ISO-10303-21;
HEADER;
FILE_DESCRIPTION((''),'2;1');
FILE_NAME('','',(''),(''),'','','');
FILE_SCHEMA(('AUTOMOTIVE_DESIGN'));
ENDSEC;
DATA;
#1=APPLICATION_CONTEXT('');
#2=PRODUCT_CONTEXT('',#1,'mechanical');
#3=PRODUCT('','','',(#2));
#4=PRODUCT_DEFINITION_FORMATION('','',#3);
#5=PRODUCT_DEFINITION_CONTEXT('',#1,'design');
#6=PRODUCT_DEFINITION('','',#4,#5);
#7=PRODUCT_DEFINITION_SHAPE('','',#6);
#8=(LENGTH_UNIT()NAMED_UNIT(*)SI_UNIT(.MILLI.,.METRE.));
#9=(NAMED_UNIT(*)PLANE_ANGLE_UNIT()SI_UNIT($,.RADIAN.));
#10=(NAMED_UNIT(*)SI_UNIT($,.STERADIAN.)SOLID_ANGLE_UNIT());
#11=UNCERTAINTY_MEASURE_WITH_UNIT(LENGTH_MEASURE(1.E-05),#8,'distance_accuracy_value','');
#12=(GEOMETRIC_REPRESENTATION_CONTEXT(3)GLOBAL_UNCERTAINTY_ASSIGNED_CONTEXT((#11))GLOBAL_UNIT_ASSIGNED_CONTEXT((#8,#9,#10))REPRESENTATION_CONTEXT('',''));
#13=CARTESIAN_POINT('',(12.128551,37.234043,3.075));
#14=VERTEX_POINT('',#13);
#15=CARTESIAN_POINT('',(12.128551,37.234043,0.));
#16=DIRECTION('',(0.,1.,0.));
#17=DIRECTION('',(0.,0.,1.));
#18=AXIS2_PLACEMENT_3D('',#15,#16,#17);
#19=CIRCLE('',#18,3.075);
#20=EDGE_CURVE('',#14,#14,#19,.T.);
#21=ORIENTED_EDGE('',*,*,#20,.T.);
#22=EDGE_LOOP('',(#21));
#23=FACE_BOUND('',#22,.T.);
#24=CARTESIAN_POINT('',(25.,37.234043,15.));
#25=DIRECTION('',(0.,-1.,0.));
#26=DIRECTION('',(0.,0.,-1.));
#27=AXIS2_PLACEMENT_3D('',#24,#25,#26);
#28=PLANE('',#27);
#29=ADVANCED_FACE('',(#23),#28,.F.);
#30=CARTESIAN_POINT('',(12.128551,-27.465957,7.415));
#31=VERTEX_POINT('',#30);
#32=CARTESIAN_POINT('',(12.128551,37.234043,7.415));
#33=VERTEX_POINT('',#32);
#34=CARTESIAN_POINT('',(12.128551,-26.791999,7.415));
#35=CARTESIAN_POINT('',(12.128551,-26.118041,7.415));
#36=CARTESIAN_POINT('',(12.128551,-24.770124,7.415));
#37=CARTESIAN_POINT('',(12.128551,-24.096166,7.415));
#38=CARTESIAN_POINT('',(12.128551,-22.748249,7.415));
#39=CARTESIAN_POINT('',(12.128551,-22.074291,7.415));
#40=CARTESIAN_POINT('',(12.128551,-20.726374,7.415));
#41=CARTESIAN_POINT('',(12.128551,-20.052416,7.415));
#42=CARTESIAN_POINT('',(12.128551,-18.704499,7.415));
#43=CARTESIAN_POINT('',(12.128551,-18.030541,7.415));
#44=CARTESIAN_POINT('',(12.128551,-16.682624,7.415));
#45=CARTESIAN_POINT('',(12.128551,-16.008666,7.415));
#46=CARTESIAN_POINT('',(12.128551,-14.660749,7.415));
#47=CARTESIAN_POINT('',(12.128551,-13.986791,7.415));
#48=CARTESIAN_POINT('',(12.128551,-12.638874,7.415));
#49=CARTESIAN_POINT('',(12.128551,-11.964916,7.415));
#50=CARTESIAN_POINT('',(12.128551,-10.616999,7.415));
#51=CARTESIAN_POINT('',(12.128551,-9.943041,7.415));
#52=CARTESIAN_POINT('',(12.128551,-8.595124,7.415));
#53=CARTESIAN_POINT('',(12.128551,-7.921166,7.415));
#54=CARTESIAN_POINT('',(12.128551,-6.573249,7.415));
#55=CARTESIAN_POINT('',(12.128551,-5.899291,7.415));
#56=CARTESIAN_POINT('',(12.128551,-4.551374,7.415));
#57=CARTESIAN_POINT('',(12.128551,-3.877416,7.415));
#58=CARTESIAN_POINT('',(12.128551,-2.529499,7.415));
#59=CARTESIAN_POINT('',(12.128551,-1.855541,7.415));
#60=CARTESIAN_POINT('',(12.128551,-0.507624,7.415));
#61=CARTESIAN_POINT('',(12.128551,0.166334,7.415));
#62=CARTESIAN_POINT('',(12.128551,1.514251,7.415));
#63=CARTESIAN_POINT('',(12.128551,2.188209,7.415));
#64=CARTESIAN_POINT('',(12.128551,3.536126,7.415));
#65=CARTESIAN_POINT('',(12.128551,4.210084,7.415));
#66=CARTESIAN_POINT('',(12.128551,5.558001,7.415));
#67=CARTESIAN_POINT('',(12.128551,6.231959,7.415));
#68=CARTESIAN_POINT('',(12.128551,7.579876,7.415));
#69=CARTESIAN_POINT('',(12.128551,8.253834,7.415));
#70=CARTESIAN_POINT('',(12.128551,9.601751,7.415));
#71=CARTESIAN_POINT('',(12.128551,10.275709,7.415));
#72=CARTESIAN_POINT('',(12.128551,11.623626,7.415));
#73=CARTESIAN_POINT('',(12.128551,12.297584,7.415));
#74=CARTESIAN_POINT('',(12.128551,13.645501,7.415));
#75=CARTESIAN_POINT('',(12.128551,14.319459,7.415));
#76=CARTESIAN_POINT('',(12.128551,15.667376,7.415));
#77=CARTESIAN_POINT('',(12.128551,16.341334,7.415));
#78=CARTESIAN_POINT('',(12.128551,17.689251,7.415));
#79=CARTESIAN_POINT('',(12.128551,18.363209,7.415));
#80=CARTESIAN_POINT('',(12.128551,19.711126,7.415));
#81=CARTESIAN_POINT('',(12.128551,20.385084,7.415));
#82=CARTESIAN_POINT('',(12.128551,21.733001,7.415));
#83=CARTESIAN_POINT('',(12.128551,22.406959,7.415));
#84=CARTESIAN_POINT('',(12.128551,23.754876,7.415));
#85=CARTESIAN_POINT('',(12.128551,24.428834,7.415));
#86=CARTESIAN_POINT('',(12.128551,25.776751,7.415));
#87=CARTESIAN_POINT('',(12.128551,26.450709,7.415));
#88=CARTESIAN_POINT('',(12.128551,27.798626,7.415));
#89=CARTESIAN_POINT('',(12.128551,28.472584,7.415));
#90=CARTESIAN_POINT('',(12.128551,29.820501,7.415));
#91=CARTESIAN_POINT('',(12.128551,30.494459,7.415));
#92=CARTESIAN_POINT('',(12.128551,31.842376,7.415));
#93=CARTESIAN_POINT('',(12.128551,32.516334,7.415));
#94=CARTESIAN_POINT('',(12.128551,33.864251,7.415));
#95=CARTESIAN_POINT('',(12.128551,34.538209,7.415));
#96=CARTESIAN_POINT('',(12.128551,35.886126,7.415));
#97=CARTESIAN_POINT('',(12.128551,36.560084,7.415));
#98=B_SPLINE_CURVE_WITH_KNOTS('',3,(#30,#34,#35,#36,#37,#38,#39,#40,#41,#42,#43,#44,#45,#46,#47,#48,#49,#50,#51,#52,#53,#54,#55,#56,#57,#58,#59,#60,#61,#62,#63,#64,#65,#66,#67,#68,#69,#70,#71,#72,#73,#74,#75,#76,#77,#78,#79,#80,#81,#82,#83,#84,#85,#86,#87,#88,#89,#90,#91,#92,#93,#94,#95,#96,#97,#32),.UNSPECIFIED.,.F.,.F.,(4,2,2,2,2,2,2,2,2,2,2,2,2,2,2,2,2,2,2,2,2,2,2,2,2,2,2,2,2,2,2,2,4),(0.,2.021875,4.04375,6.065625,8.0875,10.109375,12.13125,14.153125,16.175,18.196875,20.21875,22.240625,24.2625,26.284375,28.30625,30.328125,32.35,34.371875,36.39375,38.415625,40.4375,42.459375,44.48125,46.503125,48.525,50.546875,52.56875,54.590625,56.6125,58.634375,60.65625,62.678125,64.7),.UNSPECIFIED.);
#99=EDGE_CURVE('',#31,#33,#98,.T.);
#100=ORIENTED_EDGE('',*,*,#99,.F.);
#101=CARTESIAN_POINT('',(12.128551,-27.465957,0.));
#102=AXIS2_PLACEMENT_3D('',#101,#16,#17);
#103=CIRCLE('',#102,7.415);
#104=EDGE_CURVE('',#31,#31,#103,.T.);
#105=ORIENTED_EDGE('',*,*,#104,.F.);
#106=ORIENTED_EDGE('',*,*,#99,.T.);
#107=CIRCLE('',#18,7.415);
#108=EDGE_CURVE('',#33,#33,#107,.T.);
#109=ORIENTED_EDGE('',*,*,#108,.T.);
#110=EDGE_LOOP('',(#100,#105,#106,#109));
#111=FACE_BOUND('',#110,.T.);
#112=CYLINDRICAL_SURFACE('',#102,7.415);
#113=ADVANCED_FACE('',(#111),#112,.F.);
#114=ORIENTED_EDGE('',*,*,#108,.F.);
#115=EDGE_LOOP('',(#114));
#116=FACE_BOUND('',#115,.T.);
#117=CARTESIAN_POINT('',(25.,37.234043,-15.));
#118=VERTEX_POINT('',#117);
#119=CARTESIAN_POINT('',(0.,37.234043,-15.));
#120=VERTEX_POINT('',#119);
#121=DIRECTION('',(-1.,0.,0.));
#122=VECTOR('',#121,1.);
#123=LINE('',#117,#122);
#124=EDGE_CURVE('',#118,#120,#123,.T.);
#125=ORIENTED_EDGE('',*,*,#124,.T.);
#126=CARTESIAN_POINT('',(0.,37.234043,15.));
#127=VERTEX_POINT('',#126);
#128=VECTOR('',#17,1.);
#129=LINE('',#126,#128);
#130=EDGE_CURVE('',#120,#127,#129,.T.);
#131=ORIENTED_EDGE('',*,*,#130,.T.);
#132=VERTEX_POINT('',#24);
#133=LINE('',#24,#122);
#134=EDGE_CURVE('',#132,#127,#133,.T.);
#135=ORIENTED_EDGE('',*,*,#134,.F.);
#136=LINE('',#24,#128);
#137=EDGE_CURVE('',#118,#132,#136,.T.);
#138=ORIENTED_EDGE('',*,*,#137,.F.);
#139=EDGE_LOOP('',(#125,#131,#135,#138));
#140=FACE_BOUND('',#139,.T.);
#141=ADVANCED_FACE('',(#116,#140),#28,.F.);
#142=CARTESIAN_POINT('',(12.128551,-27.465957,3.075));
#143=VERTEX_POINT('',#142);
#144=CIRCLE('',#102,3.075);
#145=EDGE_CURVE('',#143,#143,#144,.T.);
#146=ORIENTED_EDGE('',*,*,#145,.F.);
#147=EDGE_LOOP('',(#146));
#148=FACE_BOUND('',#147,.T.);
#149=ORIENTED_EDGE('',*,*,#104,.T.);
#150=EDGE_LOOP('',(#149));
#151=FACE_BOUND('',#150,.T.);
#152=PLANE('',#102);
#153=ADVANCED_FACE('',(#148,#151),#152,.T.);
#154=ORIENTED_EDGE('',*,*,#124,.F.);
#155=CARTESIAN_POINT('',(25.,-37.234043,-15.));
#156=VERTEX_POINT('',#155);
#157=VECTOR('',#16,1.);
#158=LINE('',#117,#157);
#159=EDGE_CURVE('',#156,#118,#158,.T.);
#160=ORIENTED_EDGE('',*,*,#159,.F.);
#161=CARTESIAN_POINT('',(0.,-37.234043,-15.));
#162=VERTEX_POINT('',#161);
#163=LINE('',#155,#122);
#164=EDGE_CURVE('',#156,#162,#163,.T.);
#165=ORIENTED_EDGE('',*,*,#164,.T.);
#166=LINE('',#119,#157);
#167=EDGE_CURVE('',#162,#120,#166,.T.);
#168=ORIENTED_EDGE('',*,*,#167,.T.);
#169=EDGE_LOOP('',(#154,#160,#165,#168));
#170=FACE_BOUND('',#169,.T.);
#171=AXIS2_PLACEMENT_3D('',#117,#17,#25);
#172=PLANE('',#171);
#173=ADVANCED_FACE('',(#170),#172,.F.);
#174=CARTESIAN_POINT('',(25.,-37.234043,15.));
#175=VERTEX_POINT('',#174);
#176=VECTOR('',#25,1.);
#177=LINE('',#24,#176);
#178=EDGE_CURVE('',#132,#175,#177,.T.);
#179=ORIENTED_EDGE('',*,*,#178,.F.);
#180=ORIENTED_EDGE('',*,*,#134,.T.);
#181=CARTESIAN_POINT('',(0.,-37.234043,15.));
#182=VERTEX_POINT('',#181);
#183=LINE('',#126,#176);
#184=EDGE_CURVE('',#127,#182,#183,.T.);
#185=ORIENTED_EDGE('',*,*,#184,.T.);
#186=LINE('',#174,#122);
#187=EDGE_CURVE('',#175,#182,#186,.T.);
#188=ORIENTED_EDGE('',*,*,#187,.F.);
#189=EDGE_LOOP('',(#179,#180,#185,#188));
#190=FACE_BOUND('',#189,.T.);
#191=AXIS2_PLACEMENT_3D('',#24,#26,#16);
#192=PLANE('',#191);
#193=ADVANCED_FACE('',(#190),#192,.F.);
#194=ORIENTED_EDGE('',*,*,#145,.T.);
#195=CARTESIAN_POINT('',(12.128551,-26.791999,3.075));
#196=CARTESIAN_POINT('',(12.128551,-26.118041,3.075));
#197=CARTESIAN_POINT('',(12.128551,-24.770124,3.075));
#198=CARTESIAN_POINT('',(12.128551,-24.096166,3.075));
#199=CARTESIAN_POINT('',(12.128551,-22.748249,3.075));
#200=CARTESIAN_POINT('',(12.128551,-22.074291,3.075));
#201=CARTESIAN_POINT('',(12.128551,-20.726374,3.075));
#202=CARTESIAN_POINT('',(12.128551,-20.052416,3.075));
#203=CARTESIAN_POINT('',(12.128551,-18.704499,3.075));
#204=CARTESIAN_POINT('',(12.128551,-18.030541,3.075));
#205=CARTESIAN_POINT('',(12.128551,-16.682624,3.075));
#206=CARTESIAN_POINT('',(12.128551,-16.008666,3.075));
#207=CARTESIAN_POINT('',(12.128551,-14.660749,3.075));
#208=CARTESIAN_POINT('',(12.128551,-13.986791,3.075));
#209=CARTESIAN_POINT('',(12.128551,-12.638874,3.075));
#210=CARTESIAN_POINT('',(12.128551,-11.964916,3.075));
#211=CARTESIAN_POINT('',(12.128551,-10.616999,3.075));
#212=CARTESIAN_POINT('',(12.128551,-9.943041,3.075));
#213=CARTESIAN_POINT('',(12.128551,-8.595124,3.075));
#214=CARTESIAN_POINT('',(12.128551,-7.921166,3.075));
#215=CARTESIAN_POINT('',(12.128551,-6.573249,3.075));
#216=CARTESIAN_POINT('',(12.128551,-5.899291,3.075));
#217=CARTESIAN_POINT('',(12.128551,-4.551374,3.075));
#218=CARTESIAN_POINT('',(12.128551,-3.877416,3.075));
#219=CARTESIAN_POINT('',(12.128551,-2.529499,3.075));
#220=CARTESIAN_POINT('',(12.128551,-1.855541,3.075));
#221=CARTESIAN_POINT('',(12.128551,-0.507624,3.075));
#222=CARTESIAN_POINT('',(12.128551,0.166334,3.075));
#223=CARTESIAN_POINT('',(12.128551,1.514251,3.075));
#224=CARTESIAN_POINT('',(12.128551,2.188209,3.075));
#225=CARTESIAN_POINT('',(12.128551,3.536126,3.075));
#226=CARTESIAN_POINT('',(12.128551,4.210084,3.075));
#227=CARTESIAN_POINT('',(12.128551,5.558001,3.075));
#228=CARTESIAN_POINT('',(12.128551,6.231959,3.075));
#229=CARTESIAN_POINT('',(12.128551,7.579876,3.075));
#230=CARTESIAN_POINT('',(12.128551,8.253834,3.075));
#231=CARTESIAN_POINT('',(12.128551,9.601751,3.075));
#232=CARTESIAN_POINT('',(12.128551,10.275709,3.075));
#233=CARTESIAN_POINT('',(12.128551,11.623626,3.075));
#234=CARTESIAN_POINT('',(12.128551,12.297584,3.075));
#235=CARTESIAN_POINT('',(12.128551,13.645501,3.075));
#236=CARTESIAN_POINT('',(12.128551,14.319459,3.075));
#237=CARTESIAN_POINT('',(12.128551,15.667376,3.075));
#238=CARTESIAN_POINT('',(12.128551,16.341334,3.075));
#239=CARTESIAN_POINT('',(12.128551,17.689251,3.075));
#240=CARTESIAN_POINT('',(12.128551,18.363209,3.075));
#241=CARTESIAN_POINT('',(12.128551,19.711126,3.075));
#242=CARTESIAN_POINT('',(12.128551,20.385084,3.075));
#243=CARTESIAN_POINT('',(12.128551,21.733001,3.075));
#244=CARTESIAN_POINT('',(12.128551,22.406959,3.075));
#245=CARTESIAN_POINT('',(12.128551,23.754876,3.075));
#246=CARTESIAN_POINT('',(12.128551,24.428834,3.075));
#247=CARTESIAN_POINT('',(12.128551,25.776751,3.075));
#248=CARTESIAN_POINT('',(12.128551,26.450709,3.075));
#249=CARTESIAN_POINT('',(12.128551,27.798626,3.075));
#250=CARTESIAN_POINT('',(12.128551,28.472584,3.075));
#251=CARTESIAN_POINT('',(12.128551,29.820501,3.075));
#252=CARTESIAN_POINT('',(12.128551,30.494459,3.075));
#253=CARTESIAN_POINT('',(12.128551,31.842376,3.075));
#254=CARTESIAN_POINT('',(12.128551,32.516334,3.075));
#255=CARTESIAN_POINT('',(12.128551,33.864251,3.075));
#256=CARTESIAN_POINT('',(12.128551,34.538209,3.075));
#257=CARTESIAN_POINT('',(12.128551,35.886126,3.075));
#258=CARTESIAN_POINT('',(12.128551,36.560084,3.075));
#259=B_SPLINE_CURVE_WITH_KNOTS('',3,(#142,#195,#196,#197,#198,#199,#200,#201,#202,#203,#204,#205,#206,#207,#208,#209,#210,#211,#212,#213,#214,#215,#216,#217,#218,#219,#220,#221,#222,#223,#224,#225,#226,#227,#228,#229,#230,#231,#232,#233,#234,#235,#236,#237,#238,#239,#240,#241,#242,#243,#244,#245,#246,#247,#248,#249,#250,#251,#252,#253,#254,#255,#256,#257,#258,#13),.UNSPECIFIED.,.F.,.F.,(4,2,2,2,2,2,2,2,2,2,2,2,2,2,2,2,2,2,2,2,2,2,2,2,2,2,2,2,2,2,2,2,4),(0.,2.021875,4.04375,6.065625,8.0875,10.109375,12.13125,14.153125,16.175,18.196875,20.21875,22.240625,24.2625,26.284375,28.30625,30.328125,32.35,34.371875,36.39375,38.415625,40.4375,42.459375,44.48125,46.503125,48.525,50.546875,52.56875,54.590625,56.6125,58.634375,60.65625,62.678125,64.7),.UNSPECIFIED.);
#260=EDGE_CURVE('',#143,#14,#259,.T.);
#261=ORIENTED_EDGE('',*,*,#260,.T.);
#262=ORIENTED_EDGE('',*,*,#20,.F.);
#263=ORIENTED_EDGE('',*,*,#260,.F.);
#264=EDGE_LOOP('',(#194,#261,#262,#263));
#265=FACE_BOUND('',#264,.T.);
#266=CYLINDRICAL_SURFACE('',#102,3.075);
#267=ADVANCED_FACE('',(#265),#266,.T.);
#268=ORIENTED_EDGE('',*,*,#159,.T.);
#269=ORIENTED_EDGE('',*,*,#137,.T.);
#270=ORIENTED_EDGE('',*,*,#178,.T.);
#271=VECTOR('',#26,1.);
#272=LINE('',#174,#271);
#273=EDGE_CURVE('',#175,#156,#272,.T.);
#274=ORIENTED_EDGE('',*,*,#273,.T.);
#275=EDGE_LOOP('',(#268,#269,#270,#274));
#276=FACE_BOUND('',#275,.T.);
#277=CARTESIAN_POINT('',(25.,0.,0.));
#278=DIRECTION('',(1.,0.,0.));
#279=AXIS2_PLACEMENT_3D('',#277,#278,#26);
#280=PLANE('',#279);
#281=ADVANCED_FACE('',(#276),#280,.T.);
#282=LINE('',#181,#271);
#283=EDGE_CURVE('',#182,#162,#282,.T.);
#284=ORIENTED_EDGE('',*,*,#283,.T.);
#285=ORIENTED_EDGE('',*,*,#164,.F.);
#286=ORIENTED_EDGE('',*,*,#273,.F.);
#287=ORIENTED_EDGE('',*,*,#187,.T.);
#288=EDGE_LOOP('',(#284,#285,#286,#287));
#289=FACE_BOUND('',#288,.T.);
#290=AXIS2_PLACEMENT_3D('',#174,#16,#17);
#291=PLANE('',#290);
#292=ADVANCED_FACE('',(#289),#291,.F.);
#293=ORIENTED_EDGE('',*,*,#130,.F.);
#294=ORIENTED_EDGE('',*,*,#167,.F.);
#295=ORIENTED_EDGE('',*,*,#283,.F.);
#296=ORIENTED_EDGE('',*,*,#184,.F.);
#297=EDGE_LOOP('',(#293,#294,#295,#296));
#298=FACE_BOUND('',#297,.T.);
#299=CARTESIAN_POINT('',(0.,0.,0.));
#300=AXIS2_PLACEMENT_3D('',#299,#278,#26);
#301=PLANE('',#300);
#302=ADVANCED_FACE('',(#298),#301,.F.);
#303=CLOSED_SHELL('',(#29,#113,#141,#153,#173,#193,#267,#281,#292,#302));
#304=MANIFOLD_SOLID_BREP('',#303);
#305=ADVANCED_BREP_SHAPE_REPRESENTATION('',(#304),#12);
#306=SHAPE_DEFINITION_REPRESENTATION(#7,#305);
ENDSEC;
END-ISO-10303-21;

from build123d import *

# Parameters (mm, degrees)
SKETCH1_W           = 30
SKETCH1_H           = 74.468085106
BOSS_EXTRUDE1_DEPTH = 25
SKETCH2_R           = 7.415
SKETCH2_R_2         = 3.075
CUT_EXTRUDE1_DEPTH  = 64.7


with BuildPart() as part:
    # Sketch1 → Boss-Extrude1 (new body)
    with BuildSketch(Plane(origin=(0, 0, 0), x_dir=(0, 0, -1), z_dir=(1, 0, 0))):
        Rectangle(SKETCH1_W, SKETCH1_H)
    extrude(amount=BOSS_EXTRUDE1_DEPTH)

    # Sketch2 → Cut-Extrude1 (cut)
    with BuildSketch(Plane(origin=(0, 37.234042553, 0), x_dir=(1, 0, 0), z_dir=(0, 1, 0))):
        with Locations(Location((12.128550828, 0, 0), (0, 0, 270))):
            Circle(SKETCH2_R)
        with Locations(Location((12.128550828, 0, 0), (0, 0, 270))):
            Circle(SKETCH2_R_2, mode=Mode.SUBTRACT)
    extrude(amount=-CUT_EXTRUDE1_DEPTH, mode=Mode.SUBTRACT)


solid = part.part
